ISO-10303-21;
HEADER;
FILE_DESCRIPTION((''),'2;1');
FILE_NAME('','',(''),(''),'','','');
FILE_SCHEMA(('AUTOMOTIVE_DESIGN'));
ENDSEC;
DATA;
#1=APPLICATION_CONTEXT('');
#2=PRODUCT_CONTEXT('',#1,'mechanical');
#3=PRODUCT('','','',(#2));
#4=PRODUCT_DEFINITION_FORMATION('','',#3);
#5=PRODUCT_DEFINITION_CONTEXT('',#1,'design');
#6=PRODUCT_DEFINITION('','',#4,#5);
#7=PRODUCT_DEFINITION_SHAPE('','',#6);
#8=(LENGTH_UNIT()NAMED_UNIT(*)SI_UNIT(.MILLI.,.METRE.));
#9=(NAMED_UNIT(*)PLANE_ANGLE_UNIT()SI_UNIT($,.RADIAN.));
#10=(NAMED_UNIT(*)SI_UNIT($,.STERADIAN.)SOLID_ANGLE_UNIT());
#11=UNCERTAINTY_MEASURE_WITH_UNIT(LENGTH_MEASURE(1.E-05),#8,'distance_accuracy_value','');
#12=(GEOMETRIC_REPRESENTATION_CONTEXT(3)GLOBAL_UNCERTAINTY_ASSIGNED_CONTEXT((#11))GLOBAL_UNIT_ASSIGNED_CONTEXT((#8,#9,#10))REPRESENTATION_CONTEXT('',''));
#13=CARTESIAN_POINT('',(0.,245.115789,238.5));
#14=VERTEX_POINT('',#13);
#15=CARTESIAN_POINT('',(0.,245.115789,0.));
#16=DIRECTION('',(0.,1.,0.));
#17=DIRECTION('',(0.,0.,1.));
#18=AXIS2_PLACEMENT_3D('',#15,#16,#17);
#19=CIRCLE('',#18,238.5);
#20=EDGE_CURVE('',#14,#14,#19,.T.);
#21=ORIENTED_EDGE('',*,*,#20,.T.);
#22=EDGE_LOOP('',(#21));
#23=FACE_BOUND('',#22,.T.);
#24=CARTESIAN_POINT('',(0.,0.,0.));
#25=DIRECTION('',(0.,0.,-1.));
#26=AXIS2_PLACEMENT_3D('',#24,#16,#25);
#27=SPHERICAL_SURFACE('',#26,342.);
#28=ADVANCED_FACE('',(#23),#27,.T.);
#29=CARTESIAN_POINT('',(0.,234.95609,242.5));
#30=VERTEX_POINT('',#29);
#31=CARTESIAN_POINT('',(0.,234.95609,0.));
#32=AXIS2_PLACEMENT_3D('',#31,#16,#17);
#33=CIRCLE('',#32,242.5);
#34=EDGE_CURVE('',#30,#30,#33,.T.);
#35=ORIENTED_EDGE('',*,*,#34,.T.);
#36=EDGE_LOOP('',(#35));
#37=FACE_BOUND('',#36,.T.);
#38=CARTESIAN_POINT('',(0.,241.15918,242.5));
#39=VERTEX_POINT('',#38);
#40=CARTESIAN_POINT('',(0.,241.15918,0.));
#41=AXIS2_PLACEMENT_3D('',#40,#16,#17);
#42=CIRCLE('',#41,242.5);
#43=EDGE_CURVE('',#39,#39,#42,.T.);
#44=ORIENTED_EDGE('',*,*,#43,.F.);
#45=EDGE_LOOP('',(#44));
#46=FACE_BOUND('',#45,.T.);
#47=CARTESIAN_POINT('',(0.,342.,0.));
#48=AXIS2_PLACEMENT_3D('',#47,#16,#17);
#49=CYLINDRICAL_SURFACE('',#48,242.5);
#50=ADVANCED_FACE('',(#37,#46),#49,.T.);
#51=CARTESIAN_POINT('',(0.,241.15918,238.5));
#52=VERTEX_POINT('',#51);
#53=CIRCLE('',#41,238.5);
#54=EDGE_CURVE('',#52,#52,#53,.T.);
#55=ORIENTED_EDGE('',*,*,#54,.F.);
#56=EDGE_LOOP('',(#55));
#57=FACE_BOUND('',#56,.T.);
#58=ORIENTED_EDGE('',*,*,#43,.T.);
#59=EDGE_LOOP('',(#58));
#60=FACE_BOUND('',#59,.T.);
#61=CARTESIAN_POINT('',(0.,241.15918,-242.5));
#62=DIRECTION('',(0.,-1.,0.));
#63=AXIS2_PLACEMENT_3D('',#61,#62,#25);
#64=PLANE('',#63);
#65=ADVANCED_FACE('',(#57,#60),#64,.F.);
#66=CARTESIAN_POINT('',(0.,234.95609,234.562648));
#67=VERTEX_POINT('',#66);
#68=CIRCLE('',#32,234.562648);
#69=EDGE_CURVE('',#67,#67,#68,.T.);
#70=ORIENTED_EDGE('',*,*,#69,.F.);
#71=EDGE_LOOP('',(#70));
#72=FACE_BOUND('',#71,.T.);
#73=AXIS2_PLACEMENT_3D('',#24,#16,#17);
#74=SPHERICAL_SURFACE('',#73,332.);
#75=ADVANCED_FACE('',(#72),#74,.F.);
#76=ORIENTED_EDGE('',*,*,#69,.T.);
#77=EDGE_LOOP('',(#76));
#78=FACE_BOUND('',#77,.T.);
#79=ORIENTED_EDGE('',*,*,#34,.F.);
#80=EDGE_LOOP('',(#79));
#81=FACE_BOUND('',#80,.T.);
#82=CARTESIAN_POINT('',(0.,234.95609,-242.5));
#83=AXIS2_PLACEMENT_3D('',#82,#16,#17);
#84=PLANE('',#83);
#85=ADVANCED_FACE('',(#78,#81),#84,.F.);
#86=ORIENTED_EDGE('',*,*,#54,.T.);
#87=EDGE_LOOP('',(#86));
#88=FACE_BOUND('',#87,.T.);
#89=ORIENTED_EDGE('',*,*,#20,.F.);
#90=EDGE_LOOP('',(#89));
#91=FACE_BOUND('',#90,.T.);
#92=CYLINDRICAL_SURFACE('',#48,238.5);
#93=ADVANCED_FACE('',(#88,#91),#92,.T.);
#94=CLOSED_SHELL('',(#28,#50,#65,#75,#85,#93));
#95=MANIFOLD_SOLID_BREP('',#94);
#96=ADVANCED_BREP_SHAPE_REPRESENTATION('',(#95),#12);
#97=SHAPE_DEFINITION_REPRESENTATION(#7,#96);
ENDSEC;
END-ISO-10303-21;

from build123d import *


with BuildPart() as part:
    # Sketch2 → Revolve1 (revolve)
    with BuildSketch(Plane(origin=(0, 0, 0), x_dir=(0, 0, -1), z_dir=(1, 0, 0)), mode=Mode.PRIVATE) as revolve1_sk:
        with BuildLine():
            Line((242.5, 236.958329575), (242.5, 241.159179796))
            Line((242.5, 241.159179796), (238.5, 241.159179796))
            Line((238.5, 241.159179796), (238.5, 245.115788965))
            ThreePointArc((238.5, 245.115788965), (128.713635979, 316.854540622), (0, 342))
            Line((0, 342), (0, 332))
            ThreePointArc((0, 332), (126.922374282, 306.781210159), (234.562648062, 234.9560898))
            Line((234.562648062, 234.9560898), (242.5, 234.9560898))
            Line((242.5, 234.9560898), (242.5, 236.958329575))
        make_face()
    revolve(revolve1_sk.sketch.rotate(Axis((0, 342, 0), (0, -1, 0)), 180), axis=Axis((0, 342, 0), (0, -1, 0)))


solid = part.part
